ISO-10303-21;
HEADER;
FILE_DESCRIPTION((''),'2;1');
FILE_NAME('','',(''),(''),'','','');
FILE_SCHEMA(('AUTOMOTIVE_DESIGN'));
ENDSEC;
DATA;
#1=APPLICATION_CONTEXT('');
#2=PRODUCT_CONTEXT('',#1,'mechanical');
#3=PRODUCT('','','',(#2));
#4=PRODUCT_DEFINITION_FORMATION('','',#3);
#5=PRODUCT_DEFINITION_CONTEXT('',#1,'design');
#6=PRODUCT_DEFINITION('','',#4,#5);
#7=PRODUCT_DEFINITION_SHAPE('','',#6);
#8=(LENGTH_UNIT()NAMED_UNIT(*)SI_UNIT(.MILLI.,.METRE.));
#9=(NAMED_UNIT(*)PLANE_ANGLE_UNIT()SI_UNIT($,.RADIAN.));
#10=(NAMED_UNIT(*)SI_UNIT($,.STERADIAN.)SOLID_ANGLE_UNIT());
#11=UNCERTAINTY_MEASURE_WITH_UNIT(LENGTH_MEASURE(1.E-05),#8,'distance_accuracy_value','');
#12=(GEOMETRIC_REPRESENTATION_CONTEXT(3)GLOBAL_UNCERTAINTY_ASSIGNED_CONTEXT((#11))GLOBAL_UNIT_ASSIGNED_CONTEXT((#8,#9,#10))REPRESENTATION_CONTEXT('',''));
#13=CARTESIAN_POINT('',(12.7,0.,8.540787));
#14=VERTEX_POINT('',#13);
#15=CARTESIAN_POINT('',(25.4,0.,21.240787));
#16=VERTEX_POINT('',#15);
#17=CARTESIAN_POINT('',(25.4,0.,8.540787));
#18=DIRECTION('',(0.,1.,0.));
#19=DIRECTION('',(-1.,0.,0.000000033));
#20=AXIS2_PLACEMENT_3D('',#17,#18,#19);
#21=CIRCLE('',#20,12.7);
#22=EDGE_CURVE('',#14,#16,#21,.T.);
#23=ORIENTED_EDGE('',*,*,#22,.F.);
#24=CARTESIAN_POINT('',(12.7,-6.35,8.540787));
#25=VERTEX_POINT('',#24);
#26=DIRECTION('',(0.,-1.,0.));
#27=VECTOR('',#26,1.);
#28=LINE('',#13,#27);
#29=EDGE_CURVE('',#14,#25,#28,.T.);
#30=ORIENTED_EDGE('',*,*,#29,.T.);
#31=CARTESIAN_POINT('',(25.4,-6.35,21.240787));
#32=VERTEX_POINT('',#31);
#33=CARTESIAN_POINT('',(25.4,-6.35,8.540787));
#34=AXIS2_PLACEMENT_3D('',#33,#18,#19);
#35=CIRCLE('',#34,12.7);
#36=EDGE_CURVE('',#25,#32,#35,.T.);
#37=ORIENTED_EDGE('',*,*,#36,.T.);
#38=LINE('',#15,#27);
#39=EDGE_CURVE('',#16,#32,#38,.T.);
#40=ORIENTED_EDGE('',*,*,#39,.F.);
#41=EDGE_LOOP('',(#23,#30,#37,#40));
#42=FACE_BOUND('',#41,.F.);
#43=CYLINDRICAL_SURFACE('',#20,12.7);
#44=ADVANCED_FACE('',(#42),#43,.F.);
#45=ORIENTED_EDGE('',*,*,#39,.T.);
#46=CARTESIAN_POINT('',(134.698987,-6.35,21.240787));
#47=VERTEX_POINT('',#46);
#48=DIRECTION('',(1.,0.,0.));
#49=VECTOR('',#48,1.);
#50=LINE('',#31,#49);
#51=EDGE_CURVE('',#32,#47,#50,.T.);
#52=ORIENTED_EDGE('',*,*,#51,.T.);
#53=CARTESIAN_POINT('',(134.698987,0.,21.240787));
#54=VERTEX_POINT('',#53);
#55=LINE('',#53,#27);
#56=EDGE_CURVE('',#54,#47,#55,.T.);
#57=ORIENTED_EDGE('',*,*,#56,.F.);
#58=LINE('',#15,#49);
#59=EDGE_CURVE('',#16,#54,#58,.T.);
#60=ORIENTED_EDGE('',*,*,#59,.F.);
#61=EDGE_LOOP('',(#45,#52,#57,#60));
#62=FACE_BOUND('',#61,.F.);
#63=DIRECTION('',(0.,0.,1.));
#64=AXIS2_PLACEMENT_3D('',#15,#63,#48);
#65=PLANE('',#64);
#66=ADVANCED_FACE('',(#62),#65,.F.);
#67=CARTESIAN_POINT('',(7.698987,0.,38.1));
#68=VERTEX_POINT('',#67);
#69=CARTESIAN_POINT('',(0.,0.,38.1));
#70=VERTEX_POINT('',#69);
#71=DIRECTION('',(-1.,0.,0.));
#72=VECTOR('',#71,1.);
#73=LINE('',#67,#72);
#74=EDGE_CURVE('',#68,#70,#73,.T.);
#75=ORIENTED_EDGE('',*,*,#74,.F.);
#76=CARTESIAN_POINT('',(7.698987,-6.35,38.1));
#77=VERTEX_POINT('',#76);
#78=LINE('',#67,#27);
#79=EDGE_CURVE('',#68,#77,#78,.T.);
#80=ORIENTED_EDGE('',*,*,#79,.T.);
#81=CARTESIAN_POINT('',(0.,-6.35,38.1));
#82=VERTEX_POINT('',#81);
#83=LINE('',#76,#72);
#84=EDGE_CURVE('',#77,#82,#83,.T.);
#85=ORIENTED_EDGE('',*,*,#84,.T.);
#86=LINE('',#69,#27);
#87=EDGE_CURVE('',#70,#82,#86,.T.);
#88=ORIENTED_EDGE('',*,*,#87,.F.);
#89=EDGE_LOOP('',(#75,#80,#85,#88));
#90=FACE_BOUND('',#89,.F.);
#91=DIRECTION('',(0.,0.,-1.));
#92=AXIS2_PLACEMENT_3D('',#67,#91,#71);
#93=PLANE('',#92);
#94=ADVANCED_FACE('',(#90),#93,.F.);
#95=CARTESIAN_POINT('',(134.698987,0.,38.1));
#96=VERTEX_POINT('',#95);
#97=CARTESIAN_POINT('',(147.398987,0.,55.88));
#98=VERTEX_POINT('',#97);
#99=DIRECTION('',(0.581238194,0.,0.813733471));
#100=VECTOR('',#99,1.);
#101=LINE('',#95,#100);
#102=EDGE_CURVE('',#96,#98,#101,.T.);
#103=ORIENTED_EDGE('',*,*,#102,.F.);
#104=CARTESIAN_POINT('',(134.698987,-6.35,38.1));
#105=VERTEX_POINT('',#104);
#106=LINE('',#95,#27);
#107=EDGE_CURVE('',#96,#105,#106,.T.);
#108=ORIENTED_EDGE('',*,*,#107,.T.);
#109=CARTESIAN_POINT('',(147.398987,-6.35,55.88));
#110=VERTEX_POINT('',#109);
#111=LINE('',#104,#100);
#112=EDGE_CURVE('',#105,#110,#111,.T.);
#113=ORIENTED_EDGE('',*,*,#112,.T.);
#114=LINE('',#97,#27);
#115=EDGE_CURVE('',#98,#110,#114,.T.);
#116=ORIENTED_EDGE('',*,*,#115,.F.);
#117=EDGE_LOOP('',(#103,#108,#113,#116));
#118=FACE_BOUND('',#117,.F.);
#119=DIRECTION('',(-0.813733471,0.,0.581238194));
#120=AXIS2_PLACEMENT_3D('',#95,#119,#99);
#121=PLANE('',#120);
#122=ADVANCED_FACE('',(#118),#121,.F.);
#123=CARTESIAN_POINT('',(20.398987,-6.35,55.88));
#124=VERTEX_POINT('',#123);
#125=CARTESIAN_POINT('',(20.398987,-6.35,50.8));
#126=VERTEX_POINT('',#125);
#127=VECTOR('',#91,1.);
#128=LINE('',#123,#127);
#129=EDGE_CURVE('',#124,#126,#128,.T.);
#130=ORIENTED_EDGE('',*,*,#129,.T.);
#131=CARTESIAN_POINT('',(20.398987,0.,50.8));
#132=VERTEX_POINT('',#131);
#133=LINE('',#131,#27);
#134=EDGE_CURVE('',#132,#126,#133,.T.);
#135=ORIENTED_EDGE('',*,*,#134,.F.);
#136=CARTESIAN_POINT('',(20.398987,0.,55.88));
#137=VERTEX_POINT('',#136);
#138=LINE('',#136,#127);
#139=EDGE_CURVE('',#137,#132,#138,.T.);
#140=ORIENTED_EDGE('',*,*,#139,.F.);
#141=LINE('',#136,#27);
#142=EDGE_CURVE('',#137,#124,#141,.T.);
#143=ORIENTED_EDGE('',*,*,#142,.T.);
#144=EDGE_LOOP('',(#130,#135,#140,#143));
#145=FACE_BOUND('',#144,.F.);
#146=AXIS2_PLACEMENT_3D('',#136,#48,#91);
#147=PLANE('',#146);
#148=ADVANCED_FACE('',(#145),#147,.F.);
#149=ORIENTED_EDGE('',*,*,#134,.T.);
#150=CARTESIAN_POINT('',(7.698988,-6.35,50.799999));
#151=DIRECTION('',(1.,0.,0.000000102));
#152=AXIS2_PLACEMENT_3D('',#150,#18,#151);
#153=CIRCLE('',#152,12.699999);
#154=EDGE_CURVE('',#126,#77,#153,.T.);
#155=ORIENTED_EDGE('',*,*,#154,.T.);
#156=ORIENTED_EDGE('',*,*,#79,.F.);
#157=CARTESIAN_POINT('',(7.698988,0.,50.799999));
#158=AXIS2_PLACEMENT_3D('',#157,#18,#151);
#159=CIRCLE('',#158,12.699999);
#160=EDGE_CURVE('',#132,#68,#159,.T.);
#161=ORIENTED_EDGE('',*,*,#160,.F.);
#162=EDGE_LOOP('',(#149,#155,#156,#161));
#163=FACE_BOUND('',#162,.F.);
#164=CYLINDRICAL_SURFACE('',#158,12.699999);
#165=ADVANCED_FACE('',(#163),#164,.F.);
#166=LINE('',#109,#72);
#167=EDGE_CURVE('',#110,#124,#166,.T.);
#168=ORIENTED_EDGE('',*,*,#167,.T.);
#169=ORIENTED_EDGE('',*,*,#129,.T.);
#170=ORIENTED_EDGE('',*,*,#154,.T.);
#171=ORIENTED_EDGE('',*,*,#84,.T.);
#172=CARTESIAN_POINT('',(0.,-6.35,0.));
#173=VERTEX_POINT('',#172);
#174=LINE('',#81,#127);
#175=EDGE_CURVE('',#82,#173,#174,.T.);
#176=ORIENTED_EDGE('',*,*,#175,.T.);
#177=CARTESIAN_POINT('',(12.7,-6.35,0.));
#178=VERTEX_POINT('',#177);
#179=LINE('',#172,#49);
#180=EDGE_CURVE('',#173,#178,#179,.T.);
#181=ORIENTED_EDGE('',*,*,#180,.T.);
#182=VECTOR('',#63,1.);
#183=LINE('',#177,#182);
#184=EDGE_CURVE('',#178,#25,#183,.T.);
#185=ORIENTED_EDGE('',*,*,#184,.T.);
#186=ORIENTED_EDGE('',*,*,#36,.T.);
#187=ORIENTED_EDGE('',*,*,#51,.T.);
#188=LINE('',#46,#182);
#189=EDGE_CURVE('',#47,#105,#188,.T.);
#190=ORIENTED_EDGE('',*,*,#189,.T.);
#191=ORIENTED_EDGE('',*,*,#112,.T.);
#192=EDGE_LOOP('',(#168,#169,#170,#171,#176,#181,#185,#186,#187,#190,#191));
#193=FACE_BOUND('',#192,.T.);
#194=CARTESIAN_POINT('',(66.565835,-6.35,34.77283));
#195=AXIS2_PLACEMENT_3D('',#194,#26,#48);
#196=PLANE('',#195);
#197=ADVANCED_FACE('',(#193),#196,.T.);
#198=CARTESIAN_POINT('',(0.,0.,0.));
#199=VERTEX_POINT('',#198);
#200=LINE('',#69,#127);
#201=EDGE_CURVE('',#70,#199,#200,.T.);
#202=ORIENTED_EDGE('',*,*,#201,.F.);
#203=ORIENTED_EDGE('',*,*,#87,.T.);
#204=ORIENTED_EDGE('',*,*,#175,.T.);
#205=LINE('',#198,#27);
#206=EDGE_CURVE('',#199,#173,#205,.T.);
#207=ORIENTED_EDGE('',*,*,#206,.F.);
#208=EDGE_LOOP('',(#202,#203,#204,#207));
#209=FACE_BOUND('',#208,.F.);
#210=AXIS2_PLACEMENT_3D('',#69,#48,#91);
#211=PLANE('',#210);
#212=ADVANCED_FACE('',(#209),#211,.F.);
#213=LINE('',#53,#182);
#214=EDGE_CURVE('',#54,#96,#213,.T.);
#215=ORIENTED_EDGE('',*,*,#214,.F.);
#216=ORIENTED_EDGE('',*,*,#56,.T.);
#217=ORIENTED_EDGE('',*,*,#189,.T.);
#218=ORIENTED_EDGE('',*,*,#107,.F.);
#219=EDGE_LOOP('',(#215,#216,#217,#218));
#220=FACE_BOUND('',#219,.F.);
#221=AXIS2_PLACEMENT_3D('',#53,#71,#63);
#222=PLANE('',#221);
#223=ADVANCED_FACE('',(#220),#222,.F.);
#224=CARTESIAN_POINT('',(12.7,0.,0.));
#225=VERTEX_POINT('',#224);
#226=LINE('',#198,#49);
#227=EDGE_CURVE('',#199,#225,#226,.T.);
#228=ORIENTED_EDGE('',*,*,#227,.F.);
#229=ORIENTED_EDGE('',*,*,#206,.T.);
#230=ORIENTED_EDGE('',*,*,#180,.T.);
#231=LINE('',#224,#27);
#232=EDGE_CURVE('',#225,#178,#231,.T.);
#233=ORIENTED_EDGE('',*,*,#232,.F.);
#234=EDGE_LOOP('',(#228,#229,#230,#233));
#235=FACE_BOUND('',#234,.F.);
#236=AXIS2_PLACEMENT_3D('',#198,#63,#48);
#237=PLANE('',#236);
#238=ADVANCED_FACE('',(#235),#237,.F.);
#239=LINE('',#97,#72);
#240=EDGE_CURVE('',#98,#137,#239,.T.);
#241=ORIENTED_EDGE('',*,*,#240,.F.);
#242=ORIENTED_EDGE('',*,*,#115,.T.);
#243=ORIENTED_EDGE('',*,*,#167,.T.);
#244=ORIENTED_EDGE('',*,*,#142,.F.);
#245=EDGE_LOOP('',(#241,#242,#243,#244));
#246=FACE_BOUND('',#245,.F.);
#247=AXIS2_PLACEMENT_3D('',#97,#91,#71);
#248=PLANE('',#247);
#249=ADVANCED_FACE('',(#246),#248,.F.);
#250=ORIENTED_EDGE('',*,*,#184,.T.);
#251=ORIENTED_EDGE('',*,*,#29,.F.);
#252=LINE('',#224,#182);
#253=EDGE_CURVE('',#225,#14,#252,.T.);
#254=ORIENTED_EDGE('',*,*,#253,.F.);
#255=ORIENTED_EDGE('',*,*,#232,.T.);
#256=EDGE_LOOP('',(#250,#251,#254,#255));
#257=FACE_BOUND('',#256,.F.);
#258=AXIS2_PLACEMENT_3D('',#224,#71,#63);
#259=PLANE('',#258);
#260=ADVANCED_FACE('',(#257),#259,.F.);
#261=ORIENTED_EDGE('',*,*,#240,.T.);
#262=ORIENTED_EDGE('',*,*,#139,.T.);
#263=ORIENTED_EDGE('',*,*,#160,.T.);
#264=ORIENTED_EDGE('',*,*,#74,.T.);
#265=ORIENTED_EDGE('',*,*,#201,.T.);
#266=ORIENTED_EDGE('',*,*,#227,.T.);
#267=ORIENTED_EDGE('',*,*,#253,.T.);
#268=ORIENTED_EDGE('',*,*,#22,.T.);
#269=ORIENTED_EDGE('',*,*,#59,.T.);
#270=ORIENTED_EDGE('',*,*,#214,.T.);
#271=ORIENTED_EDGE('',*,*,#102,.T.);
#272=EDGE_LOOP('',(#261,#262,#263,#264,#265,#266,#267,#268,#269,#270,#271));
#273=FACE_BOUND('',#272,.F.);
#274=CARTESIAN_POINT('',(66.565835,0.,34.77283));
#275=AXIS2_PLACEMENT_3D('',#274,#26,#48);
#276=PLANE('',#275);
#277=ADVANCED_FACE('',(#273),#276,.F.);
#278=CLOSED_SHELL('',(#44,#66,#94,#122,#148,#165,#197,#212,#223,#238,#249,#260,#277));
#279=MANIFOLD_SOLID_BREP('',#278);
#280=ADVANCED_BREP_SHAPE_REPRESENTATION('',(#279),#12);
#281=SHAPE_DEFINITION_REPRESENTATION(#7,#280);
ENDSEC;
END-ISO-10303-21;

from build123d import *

# Parameters (mm, degrees)
F1_DEPTH = 6.35


with BuildPart() as f1:
    # F0 (on Front) → F1 (new body)
    with BuildSketch(Plane.XZ):
        with BuildLine():
            Line((0, 38.1), (0, 0))
            Line((0, 0), (12.7, 0))
            Line((12.7, 0), (12.7, 8.540787))
            ThreePointArc((12.7, 8.540787), (16.419744, 17.521043), (25.4, 21.240787))
            Line((25.4, 21.240787), (134.698987, 21.240787))
            Line((134.698987, 21.240787), (134.698987, 38.1))
            Line((134.698987, 38.1), (147.398987, 55.88))
            Line((147.398987, 55.88), (20.398987, 55.88))
            Line((20.398987, 55.88), (20.398987, 50.8))
            ThreePointArc((20.398987, 50.8), (16.679244, 41.819744), (7.698987, 38.1))
            Line((7.698987, 38.1), (0, 38.1))
        make_face()
    extrude(amount=F1_DEPTH)


solid = f1.part
